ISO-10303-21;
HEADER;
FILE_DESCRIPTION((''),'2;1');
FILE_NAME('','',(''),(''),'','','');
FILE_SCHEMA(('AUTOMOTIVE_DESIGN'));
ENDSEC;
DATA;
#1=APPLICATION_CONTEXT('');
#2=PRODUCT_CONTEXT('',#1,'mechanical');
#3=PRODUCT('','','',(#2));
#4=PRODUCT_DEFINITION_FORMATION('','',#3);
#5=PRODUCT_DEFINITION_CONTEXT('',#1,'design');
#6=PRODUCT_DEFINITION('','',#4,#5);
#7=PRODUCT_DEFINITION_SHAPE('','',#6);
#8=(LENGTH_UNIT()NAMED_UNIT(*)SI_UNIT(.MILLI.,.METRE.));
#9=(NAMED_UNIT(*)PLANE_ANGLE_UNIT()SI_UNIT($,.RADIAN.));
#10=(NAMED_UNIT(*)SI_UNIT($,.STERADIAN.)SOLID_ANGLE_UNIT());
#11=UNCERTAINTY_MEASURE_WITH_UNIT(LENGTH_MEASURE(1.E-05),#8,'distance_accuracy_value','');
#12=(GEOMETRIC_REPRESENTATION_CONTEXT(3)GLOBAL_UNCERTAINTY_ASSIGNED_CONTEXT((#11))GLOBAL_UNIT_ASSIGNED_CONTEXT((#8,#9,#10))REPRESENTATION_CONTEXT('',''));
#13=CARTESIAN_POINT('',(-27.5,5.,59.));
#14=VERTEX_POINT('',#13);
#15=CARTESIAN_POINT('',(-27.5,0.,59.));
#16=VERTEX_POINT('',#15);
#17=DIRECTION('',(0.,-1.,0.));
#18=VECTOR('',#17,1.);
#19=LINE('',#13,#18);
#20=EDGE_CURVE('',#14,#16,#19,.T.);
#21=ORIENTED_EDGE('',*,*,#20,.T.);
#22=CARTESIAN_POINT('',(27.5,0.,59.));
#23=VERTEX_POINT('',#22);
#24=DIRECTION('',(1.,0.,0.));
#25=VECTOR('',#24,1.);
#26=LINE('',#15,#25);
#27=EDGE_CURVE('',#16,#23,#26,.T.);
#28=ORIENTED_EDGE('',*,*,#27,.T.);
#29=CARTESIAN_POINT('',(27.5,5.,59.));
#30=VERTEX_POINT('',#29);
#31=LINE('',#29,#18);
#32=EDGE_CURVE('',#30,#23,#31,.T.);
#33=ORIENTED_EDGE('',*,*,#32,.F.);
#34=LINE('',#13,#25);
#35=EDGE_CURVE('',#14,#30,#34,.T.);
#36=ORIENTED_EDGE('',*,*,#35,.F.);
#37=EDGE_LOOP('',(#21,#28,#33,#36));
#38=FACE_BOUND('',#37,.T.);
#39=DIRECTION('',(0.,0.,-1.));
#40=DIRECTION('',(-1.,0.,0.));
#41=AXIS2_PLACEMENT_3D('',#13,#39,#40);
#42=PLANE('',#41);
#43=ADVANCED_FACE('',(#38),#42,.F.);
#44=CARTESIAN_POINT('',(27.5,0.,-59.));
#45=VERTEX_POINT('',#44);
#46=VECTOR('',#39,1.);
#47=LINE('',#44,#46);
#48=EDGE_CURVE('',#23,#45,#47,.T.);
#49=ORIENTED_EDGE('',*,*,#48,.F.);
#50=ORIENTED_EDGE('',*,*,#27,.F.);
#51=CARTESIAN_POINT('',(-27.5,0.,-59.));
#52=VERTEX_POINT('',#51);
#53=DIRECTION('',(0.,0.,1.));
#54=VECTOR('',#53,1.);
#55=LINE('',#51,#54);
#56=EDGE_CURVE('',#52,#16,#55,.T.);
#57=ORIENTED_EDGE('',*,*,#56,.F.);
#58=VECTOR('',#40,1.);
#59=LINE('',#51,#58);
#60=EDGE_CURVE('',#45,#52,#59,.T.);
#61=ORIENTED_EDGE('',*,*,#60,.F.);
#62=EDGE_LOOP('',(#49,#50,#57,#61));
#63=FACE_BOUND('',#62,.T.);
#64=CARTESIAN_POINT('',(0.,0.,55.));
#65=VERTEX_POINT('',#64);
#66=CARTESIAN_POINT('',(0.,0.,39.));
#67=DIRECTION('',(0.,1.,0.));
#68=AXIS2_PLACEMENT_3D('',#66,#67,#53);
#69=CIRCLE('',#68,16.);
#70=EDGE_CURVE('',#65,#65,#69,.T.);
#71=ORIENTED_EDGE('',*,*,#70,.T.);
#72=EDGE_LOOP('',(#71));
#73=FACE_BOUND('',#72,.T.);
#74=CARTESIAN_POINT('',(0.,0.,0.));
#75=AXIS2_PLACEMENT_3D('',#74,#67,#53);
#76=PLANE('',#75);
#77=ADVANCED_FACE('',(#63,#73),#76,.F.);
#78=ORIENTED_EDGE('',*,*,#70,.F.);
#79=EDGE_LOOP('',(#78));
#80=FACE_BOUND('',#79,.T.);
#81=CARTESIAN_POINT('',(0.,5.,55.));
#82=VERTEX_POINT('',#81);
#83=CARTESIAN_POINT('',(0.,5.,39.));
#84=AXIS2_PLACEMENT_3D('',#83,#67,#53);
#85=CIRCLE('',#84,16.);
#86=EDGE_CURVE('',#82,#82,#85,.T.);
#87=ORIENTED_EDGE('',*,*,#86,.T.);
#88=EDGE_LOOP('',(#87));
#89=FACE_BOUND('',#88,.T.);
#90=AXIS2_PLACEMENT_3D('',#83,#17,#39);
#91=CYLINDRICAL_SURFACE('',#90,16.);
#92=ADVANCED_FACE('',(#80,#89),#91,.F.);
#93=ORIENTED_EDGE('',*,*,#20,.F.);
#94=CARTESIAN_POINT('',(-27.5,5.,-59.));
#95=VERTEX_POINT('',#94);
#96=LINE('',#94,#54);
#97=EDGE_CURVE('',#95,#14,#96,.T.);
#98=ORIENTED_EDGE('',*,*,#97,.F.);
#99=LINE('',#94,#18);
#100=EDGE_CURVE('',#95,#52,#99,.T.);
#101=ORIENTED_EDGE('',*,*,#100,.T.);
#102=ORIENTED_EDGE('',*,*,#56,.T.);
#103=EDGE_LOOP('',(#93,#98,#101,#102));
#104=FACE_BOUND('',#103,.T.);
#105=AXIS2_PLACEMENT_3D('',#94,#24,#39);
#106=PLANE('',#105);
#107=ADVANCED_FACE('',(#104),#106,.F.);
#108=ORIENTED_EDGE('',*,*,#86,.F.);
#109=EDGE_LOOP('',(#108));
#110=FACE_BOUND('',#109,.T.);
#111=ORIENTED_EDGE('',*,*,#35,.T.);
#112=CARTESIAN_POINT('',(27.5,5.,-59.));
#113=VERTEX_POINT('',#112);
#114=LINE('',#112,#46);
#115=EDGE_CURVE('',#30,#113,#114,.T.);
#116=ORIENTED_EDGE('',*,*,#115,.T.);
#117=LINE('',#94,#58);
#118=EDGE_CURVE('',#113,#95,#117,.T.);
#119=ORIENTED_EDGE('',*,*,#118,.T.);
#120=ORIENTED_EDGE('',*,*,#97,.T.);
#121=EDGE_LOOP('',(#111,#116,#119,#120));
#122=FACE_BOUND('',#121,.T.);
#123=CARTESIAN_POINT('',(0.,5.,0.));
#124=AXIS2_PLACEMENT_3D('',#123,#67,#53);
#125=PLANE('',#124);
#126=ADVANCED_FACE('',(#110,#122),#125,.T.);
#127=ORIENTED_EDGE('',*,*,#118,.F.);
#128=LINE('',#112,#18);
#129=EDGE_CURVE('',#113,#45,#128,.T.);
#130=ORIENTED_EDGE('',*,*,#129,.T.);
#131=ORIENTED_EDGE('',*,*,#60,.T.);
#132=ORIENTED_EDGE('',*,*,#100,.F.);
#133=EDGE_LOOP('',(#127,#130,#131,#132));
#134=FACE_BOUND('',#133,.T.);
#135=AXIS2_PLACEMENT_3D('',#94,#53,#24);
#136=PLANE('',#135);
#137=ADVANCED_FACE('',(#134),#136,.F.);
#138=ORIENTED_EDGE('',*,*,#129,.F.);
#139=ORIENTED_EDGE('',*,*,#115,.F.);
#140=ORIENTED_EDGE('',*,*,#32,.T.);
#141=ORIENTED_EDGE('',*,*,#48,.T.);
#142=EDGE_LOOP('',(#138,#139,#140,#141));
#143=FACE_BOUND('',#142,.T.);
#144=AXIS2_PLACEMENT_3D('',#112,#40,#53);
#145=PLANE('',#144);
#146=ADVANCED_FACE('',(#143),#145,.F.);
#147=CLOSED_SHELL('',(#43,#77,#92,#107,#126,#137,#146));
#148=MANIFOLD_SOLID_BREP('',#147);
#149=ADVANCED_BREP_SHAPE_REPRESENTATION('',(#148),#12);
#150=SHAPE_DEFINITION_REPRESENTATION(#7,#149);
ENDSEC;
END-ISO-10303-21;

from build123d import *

# Parameters (mm, degrees)
SKETCH1_W           = 55
SKETCH1_H           = 118
SKETCH1_R           = 16
BOSS_EXTRUDE1_DEPTH = 5


with BuildPart() as part:
    # Sketch1 → Boss-Extrude1 (new body)
    with BuildSketch(Plane(origin=(0, 0, 0), x_dir=(1, 0, 0), z_dir=(0, 1, 0))):
        Rectangle(SKETCH1_W, SKETCH1_H)
        with Locations(Location((0, -39, 0), (0, 0, 270))):
            Circle(SKETCH1_R, mode=Mode.SUBTRACT)
    extrude(amount=BOSS_EXTRUDE1_DEPTH)


solid = part.part
